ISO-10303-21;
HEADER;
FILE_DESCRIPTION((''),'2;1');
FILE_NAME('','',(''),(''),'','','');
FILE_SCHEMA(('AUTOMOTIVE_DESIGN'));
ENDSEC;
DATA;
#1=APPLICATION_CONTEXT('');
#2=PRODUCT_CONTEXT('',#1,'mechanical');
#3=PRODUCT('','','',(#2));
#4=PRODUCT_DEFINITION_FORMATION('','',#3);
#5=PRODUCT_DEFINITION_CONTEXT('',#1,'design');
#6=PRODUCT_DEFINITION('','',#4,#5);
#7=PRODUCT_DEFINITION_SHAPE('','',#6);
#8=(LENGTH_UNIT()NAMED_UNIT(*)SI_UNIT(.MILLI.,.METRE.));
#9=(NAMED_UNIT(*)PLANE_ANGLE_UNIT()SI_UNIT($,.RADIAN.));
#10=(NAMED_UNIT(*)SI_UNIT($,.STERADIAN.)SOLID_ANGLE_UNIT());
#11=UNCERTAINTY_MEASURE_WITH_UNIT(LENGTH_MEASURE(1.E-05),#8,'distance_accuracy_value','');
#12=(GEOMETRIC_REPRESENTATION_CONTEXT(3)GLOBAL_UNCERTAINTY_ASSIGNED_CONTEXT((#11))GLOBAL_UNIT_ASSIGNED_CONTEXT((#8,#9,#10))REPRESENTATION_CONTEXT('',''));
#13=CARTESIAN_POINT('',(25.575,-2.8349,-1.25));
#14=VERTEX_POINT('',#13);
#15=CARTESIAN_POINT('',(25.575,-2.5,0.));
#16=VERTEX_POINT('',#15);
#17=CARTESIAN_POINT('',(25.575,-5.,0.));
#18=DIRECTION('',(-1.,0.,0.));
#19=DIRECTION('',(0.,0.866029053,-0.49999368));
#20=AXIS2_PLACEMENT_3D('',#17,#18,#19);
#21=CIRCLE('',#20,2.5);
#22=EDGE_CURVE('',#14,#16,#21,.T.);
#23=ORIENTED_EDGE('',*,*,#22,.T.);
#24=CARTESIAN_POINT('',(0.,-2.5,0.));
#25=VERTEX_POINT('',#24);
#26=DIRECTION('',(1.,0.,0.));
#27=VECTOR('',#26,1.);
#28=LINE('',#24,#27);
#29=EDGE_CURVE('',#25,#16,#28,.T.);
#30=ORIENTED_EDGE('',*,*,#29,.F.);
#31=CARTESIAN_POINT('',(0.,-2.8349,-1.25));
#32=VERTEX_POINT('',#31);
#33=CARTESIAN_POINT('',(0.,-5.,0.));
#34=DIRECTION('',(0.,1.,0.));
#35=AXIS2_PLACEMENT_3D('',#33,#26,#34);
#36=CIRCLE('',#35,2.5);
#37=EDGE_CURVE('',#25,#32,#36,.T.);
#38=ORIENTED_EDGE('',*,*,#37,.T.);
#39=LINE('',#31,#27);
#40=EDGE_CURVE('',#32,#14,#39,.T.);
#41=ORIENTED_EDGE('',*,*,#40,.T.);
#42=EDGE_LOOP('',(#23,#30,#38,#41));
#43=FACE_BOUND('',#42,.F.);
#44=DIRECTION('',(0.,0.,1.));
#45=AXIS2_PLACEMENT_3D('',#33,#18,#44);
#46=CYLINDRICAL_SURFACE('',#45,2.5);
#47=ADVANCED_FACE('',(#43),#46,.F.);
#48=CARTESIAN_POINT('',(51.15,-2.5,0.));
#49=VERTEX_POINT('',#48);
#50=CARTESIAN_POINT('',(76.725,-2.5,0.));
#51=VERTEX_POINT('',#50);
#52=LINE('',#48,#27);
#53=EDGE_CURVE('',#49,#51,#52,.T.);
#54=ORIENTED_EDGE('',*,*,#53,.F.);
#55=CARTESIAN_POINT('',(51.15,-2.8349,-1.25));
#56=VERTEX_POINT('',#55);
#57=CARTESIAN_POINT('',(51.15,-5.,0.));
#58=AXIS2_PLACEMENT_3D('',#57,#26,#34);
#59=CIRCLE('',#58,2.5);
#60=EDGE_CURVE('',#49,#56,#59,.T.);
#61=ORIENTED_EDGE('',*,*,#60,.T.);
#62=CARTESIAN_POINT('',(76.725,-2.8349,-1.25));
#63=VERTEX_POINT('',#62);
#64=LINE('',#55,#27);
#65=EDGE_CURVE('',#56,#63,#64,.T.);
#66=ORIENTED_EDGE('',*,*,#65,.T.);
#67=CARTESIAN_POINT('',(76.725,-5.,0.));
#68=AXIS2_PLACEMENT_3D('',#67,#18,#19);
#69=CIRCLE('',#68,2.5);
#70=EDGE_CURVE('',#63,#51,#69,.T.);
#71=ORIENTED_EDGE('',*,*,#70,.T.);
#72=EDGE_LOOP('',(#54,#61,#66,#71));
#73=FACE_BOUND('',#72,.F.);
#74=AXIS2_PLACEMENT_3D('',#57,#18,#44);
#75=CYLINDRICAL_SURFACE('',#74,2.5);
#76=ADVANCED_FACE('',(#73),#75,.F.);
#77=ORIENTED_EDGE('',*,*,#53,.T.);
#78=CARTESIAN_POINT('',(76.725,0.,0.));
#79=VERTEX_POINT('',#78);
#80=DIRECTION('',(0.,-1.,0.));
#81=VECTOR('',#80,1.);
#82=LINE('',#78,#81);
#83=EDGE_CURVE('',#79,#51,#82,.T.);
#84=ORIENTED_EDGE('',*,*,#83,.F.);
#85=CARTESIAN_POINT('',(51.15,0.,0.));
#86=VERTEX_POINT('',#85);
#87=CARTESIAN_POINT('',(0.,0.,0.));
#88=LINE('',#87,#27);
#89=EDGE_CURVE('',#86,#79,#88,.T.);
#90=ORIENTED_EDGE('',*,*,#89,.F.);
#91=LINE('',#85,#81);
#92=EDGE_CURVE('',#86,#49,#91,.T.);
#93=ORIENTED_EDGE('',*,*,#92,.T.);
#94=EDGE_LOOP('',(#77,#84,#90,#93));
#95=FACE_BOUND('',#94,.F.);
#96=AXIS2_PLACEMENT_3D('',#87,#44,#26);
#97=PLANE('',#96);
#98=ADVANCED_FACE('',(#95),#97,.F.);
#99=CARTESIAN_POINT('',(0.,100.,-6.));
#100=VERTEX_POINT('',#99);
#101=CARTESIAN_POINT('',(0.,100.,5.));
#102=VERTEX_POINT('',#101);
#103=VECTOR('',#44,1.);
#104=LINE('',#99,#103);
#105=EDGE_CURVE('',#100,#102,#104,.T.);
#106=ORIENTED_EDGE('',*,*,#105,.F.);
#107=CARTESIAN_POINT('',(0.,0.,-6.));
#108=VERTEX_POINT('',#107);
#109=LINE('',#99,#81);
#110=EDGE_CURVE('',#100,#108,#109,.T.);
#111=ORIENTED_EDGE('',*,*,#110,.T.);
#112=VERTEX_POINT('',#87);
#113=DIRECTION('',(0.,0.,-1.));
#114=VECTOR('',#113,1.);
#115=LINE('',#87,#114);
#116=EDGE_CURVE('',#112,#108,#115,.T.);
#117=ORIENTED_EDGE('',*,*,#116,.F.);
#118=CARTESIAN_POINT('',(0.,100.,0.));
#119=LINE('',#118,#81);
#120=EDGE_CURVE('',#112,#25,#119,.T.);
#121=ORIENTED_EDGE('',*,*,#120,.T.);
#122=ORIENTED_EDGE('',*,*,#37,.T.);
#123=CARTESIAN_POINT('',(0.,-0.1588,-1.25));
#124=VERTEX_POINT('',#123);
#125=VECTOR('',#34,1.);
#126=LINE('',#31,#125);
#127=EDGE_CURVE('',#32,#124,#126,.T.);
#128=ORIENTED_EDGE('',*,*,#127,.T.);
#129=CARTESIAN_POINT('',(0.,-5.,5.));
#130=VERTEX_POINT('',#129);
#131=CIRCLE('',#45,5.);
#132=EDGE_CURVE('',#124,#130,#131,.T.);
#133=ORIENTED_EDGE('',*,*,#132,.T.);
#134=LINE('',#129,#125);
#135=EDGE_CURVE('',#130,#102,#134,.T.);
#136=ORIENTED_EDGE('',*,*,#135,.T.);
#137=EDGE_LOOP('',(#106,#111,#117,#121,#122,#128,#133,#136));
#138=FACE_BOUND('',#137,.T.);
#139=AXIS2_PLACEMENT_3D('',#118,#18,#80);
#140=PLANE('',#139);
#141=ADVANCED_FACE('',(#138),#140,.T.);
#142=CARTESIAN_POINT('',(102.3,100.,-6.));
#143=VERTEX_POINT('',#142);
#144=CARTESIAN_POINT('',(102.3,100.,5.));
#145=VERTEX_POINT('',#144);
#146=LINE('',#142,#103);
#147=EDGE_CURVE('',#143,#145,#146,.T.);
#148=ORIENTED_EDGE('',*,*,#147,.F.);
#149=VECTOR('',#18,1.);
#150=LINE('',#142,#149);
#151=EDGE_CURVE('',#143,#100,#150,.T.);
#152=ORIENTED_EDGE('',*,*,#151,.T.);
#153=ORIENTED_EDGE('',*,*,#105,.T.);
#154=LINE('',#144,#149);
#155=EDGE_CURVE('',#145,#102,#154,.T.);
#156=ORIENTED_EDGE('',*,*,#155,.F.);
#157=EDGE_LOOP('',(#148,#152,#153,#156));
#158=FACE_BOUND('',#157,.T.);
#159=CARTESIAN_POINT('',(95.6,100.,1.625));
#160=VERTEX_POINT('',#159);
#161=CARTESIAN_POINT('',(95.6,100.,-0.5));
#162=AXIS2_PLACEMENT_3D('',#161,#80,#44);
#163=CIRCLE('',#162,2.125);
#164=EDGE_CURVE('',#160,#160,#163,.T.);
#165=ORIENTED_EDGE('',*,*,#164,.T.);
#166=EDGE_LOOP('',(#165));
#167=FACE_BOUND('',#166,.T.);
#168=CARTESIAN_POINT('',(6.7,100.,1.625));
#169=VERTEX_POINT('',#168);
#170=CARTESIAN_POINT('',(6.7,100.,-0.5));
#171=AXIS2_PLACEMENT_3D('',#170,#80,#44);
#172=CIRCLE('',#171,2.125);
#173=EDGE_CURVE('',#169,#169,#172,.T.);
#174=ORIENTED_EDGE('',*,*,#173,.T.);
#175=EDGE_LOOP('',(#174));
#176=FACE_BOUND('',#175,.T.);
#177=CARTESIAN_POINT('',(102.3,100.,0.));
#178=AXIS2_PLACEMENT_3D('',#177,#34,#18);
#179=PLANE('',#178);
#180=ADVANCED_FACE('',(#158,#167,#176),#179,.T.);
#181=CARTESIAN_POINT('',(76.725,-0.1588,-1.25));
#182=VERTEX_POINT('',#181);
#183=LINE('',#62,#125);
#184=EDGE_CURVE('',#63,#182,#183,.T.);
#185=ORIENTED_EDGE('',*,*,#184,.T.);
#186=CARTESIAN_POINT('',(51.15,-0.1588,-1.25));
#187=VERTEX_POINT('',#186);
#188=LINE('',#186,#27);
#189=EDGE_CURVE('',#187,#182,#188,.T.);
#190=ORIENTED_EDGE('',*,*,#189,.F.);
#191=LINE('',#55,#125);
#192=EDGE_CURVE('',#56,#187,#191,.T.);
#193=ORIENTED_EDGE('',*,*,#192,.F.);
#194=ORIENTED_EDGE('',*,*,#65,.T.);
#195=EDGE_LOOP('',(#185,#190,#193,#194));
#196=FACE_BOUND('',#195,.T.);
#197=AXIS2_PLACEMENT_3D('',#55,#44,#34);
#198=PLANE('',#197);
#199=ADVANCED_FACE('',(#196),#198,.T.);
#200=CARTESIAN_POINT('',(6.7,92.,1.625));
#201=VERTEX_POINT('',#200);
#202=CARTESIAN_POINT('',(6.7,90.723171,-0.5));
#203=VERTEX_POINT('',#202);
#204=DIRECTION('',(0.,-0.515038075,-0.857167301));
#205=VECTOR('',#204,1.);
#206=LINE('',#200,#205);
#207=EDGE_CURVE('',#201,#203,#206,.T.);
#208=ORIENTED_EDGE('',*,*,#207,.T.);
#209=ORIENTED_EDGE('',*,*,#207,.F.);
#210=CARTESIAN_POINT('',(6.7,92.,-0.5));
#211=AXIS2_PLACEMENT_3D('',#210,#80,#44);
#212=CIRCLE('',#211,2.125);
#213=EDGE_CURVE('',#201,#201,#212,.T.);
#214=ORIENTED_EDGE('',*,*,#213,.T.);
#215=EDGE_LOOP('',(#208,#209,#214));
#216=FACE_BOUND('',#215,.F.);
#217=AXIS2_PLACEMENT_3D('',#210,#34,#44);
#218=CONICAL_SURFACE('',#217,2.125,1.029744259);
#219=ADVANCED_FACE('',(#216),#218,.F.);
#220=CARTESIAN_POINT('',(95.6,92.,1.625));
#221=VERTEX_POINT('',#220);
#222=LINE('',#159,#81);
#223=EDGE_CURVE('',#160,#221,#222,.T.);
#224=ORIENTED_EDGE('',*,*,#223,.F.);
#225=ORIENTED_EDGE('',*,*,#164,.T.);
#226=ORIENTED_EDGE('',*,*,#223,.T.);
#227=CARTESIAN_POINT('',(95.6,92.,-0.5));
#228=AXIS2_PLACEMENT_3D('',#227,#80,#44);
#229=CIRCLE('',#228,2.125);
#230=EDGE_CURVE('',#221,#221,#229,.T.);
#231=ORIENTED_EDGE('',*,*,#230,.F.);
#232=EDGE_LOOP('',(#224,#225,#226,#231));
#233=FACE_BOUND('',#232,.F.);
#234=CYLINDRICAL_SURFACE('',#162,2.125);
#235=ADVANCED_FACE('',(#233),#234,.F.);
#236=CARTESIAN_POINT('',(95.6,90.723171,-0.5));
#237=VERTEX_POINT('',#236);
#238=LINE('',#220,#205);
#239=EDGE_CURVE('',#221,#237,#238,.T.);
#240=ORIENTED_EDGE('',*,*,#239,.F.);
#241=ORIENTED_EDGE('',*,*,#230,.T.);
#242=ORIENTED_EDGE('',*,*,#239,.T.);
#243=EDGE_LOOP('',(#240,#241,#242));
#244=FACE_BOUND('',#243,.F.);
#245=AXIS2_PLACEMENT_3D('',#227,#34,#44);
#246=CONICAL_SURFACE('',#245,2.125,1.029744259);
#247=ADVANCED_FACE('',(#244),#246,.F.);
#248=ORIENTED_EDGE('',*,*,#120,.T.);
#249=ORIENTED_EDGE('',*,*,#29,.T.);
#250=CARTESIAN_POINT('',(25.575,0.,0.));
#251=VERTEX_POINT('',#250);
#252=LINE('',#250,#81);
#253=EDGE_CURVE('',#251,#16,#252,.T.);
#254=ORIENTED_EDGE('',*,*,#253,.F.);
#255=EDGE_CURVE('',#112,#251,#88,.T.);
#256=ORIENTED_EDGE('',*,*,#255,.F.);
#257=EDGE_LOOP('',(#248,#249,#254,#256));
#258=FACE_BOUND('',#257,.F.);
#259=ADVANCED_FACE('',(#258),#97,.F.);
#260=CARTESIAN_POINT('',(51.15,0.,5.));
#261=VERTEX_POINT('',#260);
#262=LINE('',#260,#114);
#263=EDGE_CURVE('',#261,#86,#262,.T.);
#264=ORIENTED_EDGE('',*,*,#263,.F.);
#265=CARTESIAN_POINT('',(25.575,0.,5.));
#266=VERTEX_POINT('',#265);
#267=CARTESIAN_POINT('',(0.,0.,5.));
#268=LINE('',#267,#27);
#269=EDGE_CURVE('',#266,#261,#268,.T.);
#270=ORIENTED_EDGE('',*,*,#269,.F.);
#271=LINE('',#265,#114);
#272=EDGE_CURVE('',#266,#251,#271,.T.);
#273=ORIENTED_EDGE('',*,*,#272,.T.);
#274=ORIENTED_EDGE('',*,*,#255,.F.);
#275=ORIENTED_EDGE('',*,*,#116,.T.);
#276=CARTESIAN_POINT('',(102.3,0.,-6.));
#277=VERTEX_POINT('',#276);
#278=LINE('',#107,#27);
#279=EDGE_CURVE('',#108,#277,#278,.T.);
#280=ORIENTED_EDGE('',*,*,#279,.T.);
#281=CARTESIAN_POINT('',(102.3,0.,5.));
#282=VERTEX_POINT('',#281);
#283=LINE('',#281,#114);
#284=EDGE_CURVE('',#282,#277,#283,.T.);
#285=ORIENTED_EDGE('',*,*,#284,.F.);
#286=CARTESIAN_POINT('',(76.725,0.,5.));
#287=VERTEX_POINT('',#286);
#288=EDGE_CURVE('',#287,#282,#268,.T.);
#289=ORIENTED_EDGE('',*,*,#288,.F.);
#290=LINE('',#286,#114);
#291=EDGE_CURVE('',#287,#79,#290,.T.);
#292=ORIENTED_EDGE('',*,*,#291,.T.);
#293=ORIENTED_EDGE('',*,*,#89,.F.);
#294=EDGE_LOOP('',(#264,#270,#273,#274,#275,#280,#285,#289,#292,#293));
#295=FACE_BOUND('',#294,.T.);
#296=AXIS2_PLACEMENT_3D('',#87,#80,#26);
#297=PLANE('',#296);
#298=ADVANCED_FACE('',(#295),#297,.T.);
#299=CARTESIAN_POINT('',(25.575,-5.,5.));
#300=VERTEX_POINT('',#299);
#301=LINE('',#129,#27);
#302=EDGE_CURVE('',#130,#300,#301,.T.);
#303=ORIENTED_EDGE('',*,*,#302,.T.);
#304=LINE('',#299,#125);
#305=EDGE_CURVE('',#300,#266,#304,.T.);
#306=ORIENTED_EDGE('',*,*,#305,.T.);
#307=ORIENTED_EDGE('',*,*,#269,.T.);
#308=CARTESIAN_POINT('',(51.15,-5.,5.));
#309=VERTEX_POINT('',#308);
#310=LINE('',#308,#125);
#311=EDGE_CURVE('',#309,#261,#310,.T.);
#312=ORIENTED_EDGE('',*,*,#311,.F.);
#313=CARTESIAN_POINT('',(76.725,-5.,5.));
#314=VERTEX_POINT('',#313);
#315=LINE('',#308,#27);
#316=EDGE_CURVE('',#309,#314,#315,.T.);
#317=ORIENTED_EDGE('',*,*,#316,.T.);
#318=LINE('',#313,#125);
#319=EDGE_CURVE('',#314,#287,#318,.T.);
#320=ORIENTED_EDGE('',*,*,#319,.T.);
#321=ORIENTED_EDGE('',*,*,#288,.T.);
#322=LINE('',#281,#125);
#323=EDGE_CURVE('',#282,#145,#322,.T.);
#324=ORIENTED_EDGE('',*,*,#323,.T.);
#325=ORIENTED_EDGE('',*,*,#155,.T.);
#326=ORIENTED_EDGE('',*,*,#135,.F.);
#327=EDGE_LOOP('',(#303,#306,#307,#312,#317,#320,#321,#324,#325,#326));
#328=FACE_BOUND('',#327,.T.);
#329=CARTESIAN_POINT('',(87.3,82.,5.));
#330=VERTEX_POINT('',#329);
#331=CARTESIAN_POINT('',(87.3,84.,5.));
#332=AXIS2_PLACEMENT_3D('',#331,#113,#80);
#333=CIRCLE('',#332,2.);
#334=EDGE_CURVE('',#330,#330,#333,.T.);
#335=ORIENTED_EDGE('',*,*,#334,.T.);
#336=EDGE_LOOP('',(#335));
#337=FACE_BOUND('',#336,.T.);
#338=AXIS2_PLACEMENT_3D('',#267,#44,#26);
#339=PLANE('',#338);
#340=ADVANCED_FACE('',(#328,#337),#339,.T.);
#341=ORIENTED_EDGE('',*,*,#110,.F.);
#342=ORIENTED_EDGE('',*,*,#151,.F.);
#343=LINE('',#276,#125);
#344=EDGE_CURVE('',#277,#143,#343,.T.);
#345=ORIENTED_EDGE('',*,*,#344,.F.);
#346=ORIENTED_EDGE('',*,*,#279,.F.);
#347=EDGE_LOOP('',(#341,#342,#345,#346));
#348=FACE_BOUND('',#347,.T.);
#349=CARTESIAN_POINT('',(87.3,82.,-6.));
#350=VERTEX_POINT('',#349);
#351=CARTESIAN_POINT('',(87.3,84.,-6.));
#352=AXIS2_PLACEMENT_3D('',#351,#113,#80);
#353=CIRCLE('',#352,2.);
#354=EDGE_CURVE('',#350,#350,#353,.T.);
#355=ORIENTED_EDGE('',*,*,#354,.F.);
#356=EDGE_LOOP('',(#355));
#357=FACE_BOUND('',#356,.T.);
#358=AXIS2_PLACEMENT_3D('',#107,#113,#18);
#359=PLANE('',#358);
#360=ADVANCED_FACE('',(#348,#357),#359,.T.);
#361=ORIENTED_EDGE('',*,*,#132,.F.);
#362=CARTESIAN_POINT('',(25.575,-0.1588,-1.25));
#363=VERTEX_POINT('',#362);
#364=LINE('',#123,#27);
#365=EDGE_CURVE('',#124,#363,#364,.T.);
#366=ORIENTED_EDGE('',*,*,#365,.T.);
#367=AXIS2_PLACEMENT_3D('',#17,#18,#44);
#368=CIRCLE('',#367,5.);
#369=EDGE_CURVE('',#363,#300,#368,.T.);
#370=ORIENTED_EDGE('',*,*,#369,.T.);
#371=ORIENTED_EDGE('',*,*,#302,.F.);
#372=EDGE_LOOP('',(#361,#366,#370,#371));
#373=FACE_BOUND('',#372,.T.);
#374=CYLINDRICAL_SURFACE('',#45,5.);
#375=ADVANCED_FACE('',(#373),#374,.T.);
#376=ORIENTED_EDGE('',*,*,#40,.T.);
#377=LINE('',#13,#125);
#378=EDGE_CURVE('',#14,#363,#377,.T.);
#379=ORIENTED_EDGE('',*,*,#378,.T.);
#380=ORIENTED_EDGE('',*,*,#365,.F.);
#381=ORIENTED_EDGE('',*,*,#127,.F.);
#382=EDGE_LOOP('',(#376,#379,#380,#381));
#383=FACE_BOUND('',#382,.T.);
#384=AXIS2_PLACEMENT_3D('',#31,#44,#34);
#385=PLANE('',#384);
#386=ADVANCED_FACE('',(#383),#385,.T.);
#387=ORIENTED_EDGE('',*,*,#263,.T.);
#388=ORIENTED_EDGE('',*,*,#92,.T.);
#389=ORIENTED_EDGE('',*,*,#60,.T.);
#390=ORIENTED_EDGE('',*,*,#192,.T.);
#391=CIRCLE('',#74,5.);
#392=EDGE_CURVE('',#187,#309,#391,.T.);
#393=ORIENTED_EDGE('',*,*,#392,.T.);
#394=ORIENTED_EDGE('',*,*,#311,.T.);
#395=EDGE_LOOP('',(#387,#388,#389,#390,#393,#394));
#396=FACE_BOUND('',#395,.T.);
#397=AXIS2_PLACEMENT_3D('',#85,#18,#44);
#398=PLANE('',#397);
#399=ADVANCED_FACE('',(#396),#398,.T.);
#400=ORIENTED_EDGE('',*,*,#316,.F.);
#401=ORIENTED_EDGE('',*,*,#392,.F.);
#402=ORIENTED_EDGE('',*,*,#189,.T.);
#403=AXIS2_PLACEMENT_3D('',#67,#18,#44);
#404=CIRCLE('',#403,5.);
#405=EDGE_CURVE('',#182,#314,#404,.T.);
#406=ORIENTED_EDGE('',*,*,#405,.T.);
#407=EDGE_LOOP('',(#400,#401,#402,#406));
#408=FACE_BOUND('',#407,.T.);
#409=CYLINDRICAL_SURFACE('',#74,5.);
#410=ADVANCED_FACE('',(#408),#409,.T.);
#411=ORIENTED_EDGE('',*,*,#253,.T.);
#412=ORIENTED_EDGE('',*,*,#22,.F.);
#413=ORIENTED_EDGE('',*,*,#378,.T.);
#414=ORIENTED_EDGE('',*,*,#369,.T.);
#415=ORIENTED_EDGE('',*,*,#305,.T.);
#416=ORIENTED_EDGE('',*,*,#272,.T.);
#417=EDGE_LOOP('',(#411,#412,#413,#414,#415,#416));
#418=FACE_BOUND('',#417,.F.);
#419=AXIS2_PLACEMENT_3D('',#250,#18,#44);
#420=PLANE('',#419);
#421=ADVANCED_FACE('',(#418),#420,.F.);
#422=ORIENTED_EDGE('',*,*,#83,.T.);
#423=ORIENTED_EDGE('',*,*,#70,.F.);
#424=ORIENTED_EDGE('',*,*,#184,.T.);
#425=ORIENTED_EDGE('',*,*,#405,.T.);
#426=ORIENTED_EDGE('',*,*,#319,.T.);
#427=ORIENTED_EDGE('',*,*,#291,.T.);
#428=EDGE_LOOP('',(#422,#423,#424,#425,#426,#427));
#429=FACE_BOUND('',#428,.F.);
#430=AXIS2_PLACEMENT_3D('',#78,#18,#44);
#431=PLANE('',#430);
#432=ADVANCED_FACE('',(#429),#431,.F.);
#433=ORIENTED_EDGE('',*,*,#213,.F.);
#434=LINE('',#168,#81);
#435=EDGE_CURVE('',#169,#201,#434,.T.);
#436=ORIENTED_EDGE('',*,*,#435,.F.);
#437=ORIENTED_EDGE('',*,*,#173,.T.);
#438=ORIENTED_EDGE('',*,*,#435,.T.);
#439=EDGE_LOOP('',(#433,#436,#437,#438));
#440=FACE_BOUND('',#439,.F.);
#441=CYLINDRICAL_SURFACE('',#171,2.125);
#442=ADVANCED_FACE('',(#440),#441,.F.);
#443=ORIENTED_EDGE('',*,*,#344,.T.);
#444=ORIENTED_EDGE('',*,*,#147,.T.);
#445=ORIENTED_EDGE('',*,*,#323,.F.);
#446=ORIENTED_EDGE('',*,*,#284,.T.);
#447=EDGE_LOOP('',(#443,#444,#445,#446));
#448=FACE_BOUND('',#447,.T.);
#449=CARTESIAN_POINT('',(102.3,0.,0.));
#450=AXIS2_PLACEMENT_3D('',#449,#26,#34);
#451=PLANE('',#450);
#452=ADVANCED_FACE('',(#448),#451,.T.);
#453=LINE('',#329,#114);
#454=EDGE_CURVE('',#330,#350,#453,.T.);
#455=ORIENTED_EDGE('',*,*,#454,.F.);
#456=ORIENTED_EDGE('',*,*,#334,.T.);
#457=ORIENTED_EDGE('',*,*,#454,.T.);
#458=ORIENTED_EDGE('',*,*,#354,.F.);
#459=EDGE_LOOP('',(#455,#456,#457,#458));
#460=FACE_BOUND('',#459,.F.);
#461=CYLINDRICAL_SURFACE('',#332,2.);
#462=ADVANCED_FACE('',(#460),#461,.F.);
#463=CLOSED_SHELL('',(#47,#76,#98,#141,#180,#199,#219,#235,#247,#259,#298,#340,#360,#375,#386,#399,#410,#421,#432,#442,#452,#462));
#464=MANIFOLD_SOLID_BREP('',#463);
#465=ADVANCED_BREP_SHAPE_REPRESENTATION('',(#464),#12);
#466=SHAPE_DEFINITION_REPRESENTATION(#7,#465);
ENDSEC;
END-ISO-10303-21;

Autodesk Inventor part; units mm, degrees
ref_plane "YZ Plane" through (0, 0, 0) normal (1, 0, 0) x (0, 1, 0)
ref_plane "XZ Plane" through (0, 0, 0) normal (0, 1, 0) x (-1, 0, 0)
ref_plane "XY Plane" through (0, 0, 0) normal (0, 0, 1) x (1, 0, 0)
sketch "Sketch1" plane through (0, 0, 0) normal (0, 0, 1) x (1, 0, 0)
  line L0 (0, 0) -> (102.3, 0)
  line L1 (102.3, 0) -> (102.3, 100)
  line L2 (102.3, 100) -> (0, 100)
  line L3 (0, 100) -> (0, 0)
  dimension "d0" = 102.3
  dimension "d1" = 100
extrude "Extrusion1" add sketch "Sketch1" along normal blind 5
sketch "Sketch3" plane through (0, 0, 0) normal (-1, 0, 0) x (0, 0, 1)
  line L0 (5, 0) -> (0, 0)
  line L1 (0, 0) -> (0, -5)
  line L2 (0, -5) -> (5, -5)
  line L3 (5, -5) -> (5, 0)
  circle A0 centre (0, -5) radius 5
  circle A1 centre (0, -5) radius 2.5
  line L4 (-1.25, -2.8349) -> (-1.25, -0.1588)
  point P0 (0, 0)
  point P1 (0, -2.5)
  dimension "d15" = 5
  dimension "d16" = 5
  dimension "d17" = 5
  dimension "d18" = 2.5
  dimension "d19" = 1.25
extrude "Extrusion3" add sketch "Sketch3" against normal blind 25.575 contours L3 A0 L0 | A0 L2 A1 L1 | A0 L4 A1 L2
pattern_linear "Rectangular Pattern2" count 2 spacing 51.15 along (1, 0, 0) of "Extrusion3"
sketch "Sketch4" plane through (0, 0, 0) normal (0, 0, -1) x (-1, 0, 0)
  point P0 (0, 0)
sketch "Sketch5" plane through (0, 0, 0) normal (0, 0, -1) x (-1, 0, 0)
  line L0 (-102.3, 0) -> (-102.3, 100) projected
  line L1 (0, 0) -> (-102.3, 0)
  line L2 (-102.3, 0) -> (-102.3, 100)
  line L3 (-102.3, 100) -> (0, 100)
  line L4 (0, 100) -> (0, 0)
extrude "Extrusion4" add sketch "Sketch5" along normal blind 6
sketch "Sketch6" plane through (0, 0, 5) normal (0, 0, 1) x (1, 0, 0)
  line L0 (102.3, 100) -> (0, 100) construction
  line L1 (87.3, 100) -> (87.3, 84) construction
  line L2 (102.3, 0) -> (102.3, 100) construction
  point P0 (0, 0)
  dimension "d27" = 15
  dimension "d28" = 16
hole "Hole1" at (87.3, 84, 5) direction (0, 0, -1) diameter 4 end through all
sketch "Sketch8" plane through (51.15, -5, 5) normal (-1, 0, 0) x (0, 0, 1)
  point P0 (-5, 5)
sketch "Sketch9" plane through (0, 0, 5) normal (0, 0, 1) x (1, 0, 0)
  circle A0 centre (87.3, 84) radius 2 construction
  line L0 (87.3, 84) -> (102.3, 84) construction
  line L1 (102.3, 0) -> (102.3, 100) construction
  line L2 (87.3, 84) -> (87.3, 100) construction
  line L3 (76.725, 0) -> (102.3, 0) projected
  line L4 (102.3, 100) -> (0, 100) projected
  point P0 (0, 0)
  dimension "d45" = 15
  dimension "d46" = 16
  dimension "d57" = 100
sketch "Sketch10" plane through (0, 100, 5) normal (0, 1, 0) x (1, 0, 0)
  line L0 (0, 10) -> (0, 0) construction
  line L1 (0, 5.5) -> (102.7523, 5.5) construction
  line L2 (0, 11) -> (102.3, 11) construction
  point P0 (95.6, 5.5)
  point P1 (6.7, 5.5)
  point P2 (0, 6.25)
  dimension "d47" = 88.9
  dimension "d48" = 5.5
  dimension "d49" = 6.7
hole "Hole3" at (6.7, 100, -0.5) at (95.6, 100, -0.5) direction (0, -1, 0) diameter 4.25 depth 8 tip angle 118
properties part number "Hinge2"
